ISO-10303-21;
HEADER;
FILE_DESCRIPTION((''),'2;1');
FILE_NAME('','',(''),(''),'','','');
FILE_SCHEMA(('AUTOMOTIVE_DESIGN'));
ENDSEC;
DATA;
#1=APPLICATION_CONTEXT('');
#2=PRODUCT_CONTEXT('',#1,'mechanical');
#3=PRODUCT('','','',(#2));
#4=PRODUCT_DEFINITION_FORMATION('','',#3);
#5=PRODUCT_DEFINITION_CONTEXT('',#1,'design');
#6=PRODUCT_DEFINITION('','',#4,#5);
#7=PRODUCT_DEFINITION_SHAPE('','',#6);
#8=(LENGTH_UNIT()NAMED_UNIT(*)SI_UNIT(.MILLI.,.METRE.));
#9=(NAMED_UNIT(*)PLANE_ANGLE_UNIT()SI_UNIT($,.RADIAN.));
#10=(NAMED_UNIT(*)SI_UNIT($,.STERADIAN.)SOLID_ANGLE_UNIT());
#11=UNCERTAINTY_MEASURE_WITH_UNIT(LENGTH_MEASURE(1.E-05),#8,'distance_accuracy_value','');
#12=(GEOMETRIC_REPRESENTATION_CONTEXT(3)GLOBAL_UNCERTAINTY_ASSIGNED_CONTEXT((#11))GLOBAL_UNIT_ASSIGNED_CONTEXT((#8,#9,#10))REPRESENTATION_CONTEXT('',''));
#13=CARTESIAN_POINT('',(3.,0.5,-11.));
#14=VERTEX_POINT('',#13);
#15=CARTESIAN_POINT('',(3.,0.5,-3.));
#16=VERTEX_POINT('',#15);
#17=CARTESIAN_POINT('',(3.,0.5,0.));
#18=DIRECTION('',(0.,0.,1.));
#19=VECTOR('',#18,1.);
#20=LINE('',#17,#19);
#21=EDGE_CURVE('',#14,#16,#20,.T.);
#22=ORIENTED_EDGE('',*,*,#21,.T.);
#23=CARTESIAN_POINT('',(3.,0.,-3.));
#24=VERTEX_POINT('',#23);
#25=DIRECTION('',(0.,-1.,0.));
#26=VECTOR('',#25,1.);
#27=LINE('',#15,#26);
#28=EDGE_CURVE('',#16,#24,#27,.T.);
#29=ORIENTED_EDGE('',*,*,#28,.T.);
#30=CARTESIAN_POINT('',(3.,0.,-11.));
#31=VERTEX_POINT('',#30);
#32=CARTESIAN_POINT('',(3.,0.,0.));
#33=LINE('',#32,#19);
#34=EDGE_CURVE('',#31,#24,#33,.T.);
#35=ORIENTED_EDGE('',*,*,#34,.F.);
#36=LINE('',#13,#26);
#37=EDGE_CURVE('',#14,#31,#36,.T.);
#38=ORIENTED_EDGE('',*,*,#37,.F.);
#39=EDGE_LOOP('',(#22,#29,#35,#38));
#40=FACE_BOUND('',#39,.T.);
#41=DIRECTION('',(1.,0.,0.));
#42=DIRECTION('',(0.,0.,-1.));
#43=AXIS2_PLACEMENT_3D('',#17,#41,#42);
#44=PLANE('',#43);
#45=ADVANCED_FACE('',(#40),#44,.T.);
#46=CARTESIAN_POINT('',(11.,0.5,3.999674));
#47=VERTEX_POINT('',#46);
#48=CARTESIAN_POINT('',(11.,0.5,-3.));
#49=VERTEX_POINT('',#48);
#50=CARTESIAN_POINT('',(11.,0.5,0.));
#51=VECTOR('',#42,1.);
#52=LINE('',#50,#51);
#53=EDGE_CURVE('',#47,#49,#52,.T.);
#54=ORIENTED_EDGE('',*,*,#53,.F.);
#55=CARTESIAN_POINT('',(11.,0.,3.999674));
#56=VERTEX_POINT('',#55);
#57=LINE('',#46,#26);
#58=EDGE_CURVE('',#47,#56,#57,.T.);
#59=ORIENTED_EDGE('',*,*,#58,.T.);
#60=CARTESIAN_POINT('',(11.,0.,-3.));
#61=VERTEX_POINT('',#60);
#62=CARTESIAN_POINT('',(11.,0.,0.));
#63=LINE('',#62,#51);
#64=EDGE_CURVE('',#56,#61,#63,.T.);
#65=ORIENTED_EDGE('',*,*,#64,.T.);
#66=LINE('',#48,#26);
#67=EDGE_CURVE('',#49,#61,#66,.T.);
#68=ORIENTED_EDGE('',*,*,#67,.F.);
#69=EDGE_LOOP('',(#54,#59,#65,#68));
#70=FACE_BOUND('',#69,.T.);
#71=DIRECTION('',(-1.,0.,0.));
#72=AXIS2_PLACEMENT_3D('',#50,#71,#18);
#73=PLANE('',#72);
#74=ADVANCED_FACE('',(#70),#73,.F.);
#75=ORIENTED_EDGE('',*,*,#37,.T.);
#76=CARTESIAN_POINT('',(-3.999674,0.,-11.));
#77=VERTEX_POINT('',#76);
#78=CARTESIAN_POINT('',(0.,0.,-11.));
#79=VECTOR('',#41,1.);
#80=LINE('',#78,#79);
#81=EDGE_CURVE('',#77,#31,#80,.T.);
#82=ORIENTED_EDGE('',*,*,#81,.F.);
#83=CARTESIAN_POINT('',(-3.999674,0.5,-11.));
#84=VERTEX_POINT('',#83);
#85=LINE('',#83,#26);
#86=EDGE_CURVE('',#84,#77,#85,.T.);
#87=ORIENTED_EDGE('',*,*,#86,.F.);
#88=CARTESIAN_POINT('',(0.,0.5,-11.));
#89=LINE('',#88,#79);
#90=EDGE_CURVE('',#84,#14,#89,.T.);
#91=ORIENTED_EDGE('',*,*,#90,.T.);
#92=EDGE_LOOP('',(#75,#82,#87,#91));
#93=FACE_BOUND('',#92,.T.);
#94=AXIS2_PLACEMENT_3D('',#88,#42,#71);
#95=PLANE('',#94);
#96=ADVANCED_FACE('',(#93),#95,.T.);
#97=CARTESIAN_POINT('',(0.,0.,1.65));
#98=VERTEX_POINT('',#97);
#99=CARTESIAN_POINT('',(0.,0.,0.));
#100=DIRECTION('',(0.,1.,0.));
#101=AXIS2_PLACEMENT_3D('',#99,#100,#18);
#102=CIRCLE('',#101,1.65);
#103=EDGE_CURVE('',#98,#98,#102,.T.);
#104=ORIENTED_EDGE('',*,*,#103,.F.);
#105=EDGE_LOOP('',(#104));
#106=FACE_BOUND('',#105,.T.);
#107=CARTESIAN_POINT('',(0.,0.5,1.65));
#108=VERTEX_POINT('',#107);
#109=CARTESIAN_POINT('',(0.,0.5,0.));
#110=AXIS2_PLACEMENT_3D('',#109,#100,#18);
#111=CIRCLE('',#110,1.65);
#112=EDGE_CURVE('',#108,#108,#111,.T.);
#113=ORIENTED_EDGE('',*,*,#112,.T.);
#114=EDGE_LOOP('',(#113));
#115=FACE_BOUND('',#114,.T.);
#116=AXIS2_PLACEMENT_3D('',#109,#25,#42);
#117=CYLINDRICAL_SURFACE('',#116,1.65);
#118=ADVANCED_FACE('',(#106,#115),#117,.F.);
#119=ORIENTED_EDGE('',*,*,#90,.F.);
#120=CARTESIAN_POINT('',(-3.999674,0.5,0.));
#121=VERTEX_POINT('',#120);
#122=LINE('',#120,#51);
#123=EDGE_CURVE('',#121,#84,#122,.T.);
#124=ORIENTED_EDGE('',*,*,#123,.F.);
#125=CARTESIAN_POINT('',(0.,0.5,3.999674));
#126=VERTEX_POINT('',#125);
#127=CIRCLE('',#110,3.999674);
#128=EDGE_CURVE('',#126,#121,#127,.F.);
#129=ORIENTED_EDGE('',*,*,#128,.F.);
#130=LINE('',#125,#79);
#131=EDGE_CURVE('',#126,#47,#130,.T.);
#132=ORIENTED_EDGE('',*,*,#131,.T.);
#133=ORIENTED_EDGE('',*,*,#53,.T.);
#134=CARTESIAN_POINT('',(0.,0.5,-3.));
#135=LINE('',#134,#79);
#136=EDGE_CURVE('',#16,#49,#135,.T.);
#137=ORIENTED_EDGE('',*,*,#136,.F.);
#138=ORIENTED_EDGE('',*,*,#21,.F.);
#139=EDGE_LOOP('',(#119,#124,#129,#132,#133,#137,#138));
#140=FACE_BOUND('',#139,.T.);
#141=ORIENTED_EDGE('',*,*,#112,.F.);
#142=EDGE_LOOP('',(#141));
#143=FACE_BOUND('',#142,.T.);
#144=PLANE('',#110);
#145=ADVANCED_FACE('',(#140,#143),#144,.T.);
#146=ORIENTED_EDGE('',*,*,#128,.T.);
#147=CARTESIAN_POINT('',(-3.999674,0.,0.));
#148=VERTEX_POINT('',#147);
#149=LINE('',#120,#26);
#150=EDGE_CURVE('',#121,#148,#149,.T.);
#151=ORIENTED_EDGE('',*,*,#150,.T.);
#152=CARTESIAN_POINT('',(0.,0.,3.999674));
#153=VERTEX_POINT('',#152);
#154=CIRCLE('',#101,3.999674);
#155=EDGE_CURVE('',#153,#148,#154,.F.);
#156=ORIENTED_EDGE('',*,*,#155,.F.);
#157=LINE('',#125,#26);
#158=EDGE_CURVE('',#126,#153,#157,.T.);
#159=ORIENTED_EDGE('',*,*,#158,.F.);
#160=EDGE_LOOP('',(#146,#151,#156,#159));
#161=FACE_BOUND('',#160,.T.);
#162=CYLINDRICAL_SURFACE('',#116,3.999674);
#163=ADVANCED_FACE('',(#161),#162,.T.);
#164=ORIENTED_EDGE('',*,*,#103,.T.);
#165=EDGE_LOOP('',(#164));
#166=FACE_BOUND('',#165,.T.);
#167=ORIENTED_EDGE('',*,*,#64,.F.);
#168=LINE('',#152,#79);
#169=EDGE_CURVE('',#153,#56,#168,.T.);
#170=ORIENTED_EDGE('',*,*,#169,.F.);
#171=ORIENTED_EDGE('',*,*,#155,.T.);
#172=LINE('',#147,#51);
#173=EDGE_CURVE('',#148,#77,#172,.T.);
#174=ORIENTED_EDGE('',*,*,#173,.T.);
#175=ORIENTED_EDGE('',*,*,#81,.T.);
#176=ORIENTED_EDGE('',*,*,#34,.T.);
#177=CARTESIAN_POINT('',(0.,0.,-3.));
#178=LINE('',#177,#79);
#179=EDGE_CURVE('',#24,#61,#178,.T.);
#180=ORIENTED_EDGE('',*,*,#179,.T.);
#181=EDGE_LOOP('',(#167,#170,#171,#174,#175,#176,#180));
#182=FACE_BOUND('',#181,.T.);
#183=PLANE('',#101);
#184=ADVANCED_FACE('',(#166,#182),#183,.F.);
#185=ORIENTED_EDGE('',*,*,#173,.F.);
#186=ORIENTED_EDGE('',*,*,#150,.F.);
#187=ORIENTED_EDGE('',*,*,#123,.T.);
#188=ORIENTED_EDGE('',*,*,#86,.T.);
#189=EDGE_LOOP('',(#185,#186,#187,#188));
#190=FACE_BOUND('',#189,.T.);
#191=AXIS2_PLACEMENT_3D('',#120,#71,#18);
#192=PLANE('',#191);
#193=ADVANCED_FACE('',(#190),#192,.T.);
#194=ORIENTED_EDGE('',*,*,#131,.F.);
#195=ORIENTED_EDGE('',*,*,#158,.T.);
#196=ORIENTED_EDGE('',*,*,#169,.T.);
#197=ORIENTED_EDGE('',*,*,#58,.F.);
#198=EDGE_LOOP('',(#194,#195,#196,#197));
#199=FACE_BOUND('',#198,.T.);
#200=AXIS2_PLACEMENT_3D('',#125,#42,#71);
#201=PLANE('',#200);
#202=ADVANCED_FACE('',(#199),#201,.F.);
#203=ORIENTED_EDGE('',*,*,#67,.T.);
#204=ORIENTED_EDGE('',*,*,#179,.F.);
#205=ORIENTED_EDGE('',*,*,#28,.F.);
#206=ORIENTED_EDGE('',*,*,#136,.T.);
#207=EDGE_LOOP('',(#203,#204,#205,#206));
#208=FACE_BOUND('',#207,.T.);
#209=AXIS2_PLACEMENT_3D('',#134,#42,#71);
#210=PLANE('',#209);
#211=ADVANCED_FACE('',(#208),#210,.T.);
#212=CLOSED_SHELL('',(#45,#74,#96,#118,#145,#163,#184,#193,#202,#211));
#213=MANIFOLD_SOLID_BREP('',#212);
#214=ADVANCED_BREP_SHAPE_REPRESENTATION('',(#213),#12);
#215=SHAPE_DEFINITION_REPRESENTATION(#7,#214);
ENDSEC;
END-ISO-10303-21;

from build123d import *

# Parameters (mm, degrees)
SKETCH1_R           = 1.65
BOSS_EXTRUDE1_DEPTH = 0.5


with BuildPart() as part:
    # Sketch1 → Boss-Extrude1 (new body)
    with BuildSketch(Plane(origin=(0, 0, 0), x_dir=(1, 0, 0), z_dir=(0, 1, 0))):
        with BuildLine():
            Line((11, -3.99967418), (11, 3))
            Line((11, 3), (3, 3))
            Line((3, 3), (3, 11))
            Line((3, 11), (-3.99967418, 11))
            Line((-3.99967418, 11), (-3.99967418, 0))
            ThreePointArc((-3.99967418, 0), (-2.828196736, -2.828196736), (0, -3.99967418))
            Line((0, -3.99967418), (11, -3.99967418))
        make_face()
        with Locations(Location((0, 0, 0), (0, 0, 270))):
            Circle(SKETCH1_R, mode=Mode.SUBTRACT)
    extrude(amount=BOSS_EXTRUDE1_DEPTH)


solid = part.part
